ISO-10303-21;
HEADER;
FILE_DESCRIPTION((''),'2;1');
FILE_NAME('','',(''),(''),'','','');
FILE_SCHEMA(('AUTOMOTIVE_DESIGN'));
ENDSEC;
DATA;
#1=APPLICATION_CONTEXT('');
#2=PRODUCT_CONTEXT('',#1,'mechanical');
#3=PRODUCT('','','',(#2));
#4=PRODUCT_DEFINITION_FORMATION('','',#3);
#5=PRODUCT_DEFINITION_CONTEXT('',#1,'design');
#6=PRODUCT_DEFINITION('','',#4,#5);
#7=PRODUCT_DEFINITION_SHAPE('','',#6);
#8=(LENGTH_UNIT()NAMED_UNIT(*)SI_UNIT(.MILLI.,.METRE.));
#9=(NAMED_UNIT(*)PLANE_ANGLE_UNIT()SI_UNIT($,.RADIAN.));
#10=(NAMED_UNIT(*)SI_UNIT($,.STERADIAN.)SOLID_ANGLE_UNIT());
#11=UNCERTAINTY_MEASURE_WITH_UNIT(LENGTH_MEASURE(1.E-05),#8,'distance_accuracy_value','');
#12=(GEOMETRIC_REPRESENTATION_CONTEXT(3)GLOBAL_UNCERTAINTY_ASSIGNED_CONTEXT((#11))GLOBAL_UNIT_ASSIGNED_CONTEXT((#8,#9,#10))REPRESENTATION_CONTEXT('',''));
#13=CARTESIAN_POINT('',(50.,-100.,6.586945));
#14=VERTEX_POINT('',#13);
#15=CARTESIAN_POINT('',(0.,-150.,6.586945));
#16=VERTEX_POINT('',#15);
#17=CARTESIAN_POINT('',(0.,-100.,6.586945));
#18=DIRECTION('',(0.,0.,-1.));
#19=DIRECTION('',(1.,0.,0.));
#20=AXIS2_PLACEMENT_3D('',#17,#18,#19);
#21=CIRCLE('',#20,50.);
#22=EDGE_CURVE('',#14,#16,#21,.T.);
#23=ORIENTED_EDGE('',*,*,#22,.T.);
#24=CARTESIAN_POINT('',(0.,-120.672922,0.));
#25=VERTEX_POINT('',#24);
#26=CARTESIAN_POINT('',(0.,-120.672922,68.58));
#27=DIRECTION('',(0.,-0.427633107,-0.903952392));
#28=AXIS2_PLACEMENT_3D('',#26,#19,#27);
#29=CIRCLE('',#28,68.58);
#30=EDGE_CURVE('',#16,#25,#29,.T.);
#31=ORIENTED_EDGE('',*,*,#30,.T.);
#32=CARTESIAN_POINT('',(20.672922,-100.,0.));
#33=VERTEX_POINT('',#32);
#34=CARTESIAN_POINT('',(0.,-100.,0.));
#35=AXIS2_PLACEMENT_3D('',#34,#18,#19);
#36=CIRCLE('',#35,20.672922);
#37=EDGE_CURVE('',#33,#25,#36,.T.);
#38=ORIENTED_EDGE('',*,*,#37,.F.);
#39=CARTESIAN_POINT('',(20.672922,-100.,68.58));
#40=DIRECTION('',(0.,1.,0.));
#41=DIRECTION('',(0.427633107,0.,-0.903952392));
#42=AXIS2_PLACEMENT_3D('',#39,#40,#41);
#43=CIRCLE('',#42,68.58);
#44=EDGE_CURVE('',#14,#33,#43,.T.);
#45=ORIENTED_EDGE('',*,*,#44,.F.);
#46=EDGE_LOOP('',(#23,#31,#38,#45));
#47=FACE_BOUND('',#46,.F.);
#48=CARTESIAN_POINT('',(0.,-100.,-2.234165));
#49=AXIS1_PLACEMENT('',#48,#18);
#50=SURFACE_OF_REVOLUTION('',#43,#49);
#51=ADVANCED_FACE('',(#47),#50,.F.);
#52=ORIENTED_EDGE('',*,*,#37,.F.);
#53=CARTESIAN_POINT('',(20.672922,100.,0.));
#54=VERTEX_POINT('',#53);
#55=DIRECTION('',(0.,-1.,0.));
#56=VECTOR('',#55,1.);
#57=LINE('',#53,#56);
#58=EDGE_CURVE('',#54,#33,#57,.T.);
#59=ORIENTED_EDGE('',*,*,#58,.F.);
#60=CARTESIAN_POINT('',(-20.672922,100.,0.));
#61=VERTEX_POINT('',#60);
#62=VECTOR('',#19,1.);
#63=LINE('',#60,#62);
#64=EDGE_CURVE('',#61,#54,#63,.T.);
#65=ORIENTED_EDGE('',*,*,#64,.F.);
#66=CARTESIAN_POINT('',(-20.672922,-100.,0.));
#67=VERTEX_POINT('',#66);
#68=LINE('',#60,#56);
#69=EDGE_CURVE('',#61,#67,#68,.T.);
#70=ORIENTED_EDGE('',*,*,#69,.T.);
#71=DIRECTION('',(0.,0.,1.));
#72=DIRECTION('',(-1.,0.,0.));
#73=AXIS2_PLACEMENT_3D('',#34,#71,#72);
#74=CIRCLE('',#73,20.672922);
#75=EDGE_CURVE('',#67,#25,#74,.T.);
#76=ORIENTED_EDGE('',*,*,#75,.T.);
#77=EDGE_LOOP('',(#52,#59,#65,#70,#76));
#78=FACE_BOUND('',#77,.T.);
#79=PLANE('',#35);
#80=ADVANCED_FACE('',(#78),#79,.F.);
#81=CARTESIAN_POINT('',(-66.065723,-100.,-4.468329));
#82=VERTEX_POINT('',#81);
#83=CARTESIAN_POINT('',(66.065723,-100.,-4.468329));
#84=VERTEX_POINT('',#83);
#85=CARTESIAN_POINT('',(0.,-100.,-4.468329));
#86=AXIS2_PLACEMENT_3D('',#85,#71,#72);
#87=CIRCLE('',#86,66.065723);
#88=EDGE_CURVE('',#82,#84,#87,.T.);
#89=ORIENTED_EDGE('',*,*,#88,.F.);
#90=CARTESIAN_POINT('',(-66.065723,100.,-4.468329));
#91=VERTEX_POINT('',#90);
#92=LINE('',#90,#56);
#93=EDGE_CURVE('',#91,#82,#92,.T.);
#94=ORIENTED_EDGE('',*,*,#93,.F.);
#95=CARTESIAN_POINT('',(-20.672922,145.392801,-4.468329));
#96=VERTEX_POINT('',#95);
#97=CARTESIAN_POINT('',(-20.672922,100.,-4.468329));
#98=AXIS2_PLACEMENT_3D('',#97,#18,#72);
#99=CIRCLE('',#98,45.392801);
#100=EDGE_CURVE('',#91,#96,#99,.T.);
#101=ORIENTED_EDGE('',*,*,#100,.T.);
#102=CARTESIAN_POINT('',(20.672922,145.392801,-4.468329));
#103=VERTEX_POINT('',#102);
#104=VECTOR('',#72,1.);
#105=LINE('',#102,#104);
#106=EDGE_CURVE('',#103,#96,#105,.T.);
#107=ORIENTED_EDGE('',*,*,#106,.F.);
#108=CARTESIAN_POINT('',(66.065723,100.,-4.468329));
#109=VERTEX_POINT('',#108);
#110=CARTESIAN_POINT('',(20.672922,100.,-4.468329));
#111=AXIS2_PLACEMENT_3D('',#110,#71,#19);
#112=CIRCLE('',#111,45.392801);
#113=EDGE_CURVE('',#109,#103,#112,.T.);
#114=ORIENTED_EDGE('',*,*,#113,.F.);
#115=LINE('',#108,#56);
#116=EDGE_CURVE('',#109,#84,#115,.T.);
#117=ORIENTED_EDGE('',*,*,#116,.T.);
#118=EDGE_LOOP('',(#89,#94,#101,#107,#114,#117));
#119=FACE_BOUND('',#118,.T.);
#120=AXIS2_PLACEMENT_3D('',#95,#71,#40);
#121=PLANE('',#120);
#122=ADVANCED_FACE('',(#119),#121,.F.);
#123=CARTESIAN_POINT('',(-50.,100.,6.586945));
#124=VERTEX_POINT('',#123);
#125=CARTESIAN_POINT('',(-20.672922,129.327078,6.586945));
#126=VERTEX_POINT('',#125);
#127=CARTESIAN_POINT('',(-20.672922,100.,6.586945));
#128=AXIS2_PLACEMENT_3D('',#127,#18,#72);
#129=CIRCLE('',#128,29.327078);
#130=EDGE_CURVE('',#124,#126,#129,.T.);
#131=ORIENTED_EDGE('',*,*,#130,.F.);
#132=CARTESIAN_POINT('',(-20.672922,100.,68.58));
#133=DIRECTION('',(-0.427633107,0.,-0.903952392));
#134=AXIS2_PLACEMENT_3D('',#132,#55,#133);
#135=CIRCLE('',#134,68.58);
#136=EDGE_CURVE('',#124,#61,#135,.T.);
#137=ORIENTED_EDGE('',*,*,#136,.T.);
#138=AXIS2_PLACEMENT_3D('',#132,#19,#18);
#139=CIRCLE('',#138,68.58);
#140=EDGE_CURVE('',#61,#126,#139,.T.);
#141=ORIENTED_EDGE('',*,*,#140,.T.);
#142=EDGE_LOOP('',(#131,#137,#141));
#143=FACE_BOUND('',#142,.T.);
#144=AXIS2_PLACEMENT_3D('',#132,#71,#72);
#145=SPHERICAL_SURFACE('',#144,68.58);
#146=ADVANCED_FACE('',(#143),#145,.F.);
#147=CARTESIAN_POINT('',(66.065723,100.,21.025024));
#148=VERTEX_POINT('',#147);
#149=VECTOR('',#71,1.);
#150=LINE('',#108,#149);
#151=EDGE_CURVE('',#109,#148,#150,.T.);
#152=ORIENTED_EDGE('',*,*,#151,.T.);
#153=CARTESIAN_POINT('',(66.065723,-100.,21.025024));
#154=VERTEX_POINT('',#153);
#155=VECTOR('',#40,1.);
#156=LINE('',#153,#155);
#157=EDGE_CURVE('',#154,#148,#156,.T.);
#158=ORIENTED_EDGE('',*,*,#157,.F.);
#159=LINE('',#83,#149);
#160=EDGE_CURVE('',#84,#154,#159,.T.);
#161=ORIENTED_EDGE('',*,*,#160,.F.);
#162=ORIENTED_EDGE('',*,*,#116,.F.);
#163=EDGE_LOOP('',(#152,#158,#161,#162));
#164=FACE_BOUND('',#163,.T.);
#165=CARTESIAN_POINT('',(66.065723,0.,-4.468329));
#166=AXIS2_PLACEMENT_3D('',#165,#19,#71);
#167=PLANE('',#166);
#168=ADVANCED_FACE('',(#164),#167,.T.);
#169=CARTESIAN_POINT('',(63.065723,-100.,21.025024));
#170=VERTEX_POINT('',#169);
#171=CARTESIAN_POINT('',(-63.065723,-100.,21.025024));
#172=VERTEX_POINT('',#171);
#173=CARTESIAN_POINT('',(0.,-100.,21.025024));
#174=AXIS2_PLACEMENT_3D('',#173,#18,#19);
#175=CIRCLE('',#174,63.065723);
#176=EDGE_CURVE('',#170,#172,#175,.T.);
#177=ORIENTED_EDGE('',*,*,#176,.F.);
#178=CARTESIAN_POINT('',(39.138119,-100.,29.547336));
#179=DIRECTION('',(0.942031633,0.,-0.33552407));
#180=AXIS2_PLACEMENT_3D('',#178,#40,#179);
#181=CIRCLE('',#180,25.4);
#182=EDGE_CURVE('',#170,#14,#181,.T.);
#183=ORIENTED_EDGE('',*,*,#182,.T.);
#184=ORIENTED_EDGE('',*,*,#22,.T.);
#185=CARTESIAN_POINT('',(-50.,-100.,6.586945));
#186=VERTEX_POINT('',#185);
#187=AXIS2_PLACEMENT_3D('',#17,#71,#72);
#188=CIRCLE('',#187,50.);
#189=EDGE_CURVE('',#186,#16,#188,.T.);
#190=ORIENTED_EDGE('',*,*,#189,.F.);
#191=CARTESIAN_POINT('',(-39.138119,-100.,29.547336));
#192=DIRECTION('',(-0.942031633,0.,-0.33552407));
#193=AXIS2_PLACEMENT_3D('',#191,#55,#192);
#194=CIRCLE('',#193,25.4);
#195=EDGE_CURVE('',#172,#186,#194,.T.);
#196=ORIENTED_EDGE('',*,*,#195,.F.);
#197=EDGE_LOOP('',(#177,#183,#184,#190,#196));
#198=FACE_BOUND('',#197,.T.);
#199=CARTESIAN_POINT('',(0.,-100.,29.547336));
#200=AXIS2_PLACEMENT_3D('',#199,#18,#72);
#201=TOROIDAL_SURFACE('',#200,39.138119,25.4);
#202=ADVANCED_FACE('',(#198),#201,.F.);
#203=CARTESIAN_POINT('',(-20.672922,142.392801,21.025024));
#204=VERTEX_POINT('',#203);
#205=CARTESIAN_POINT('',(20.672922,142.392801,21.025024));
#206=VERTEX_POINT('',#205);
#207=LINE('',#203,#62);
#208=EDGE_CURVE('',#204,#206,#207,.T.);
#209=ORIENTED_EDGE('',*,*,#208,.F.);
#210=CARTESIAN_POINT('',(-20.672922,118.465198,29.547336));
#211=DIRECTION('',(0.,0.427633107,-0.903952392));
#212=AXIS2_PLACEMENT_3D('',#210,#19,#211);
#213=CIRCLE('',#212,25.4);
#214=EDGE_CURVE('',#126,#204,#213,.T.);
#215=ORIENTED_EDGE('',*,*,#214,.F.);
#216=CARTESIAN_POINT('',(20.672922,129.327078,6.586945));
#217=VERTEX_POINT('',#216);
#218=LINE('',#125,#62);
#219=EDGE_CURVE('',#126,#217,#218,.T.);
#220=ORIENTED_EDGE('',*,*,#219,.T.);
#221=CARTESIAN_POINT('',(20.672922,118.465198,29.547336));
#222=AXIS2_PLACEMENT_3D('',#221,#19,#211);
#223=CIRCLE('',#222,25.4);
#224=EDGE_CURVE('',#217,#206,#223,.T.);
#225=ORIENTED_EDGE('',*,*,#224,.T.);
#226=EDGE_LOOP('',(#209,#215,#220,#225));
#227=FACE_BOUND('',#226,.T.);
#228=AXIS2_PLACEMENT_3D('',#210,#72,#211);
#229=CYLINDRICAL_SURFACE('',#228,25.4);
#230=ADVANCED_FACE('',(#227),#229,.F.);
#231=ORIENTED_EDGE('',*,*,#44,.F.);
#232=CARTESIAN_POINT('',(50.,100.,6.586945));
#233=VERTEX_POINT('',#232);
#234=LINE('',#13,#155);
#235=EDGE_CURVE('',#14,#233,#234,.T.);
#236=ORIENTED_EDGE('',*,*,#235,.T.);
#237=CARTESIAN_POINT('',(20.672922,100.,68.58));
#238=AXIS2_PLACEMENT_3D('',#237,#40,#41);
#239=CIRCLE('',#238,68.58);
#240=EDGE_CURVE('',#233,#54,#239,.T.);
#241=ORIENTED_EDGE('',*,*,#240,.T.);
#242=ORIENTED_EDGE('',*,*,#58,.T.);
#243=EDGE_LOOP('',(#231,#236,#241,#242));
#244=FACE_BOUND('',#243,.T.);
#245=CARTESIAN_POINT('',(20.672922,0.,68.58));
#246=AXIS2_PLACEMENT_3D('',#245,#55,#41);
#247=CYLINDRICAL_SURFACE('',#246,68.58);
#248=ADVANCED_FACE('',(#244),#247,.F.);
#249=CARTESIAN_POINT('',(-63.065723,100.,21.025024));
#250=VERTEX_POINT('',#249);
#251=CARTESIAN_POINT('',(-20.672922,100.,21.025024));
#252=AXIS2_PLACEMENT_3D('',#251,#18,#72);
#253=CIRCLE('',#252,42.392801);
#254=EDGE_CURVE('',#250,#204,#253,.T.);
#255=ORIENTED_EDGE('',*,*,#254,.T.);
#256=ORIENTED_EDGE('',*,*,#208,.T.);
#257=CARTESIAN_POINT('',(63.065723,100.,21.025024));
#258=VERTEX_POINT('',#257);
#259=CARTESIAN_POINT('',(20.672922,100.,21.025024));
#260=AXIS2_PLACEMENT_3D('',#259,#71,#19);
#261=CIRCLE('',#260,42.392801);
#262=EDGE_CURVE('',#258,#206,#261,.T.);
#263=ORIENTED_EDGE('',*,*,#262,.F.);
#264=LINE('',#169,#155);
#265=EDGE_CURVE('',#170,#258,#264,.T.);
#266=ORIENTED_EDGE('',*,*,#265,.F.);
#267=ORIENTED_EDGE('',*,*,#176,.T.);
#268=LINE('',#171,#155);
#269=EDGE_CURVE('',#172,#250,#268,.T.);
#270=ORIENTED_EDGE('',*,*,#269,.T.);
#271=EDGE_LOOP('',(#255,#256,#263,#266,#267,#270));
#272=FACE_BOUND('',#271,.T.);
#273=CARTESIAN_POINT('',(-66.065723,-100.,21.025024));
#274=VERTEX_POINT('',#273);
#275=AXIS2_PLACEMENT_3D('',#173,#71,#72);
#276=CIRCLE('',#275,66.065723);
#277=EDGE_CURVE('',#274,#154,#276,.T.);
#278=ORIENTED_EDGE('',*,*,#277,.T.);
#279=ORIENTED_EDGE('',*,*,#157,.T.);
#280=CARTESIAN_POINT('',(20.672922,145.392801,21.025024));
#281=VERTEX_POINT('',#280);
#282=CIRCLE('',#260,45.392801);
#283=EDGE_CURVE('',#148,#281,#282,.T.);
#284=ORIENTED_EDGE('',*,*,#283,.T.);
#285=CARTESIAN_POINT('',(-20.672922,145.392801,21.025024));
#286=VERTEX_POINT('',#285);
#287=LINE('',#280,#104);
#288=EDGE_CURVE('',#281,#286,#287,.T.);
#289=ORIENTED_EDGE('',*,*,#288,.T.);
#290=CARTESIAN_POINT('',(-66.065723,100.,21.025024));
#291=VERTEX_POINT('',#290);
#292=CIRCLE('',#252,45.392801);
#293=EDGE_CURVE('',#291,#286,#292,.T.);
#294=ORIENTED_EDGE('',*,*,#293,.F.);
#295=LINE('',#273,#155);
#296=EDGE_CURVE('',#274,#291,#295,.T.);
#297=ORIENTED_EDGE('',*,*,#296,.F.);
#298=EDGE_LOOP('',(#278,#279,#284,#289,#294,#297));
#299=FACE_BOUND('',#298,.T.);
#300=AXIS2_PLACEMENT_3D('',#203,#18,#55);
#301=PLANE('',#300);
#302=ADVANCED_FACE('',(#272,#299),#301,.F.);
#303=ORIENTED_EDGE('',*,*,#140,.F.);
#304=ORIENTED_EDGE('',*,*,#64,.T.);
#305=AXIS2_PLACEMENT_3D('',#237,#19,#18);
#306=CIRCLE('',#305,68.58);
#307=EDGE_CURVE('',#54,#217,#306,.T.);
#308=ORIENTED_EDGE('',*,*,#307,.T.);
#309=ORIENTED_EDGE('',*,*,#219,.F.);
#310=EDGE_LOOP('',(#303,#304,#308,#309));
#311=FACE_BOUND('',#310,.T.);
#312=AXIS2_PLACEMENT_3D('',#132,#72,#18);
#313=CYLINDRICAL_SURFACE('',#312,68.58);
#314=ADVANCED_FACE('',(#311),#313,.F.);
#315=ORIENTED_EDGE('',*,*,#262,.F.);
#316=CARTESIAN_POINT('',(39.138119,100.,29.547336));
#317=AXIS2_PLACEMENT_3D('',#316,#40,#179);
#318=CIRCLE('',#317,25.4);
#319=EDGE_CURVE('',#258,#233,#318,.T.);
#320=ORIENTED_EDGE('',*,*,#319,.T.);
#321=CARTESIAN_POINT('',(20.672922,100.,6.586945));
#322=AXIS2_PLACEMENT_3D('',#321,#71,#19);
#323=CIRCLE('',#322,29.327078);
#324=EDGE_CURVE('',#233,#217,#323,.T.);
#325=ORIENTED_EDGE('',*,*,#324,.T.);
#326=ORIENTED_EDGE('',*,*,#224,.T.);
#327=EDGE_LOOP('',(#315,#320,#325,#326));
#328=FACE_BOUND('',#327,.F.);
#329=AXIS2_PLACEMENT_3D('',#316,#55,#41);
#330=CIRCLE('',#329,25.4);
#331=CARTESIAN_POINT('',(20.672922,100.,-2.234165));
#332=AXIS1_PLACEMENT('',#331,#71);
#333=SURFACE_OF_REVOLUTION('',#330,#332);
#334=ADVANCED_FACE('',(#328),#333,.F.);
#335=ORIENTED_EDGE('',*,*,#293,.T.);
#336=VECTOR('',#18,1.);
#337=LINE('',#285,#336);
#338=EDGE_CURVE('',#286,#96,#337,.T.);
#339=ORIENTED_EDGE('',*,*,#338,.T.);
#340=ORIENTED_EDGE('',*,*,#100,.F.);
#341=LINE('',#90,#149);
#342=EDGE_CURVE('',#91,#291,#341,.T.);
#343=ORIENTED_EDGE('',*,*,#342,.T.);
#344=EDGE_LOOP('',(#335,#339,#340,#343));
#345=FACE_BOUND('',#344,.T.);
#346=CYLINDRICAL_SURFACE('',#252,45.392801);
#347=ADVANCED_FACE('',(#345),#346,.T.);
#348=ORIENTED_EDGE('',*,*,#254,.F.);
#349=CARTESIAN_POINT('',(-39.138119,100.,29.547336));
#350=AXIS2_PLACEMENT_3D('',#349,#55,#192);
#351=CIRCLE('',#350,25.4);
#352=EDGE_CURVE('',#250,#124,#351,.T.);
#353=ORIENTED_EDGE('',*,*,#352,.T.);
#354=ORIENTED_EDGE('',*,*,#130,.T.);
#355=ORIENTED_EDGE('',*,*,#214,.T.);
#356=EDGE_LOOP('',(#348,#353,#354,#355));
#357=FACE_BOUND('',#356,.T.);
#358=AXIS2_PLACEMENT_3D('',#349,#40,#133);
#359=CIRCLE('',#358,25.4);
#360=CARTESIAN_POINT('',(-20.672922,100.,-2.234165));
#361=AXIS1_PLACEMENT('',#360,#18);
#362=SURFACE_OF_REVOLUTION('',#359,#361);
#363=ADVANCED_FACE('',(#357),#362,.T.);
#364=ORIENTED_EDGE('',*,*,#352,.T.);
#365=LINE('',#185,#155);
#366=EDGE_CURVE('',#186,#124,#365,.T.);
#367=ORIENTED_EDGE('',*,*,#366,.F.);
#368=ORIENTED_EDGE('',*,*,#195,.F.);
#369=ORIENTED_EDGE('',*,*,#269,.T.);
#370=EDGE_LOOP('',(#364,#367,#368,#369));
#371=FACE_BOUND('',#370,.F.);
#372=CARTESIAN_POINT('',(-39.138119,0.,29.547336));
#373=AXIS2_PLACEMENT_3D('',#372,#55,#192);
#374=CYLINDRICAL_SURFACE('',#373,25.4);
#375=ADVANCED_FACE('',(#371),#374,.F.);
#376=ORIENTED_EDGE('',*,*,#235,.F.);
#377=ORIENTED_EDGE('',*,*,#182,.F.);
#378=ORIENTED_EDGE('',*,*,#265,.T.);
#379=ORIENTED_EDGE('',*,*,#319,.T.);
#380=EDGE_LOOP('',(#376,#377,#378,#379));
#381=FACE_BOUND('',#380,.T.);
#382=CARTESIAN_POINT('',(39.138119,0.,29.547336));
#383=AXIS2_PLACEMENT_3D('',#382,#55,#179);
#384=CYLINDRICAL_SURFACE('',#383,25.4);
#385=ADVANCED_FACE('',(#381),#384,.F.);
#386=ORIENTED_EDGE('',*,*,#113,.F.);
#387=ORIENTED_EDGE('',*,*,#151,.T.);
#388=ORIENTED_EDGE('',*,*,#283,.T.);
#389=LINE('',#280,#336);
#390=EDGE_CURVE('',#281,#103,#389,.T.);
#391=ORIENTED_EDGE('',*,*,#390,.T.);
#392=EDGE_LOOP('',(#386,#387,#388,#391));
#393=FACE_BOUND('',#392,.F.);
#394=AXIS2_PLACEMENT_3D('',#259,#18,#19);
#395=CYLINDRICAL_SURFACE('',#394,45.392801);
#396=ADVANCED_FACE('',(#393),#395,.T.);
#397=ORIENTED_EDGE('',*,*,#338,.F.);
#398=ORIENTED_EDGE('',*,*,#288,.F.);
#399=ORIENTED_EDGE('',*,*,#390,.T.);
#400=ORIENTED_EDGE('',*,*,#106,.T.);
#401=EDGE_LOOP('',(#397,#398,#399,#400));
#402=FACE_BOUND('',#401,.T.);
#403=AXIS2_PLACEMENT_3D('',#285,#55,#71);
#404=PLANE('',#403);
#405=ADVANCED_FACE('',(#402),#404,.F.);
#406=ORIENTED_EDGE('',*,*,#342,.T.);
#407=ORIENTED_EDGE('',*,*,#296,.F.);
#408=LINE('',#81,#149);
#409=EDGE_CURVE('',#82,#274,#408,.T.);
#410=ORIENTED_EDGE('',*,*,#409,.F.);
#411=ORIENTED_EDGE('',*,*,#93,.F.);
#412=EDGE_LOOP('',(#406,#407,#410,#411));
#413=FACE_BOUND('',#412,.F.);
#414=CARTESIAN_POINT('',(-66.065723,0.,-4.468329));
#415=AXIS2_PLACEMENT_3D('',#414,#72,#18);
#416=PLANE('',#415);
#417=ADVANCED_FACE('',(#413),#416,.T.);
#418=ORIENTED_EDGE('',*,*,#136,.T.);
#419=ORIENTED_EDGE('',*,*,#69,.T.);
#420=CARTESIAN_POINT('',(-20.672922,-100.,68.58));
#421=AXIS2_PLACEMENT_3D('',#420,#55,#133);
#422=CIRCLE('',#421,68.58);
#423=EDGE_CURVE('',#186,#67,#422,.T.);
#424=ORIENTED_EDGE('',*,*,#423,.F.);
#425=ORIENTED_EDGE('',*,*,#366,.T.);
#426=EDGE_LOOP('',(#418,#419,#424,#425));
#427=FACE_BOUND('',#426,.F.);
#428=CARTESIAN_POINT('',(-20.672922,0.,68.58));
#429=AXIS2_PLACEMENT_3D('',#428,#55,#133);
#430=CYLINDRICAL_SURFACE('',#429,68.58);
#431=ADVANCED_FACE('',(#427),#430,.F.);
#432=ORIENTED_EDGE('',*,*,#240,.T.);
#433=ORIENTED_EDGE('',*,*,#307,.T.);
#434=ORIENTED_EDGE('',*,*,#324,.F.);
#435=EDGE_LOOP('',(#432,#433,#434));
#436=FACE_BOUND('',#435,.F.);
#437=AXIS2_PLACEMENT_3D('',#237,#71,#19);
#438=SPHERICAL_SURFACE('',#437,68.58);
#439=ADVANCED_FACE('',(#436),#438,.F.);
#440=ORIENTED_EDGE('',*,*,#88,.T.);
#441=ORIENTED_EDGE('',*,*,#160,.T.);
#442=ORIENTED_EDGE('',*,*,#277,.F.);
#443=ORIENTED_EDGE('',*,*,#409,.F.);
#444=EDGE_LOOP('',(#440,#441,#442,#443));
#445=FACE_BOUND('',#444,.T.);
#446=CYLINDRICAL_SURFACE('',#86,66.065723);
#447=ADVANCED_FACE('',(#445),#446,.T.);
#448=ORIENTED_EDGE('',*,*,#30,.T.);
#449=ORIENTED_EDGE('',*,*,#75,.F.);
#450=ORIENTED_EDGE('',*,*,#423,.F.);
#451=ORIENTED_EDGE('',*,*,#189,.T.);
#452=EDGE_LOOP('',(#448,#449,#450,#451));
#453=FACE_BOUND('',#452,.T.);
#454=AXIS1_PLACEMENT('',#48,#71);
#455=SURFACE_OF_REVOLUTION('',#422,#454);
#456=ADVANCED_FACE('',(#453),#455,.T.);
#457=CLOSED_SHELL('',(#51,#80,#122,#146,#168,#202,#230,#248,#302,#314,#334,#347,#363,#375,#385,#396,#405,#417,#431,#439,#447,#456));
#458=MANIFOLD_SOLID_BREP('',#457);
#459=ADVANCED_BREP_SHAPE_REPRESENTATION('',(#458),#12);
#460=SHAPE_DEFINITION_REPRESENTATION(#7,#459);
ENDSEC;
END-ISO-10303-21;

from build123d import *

# Parameters (mm, degrees)
F1_DEPTH = 100
F2_ANGLE = 90
F4_ANGLE = 90
F5_DEPTH = 20.6729215554


with BuildPart() as f1:
    # F0 (on Front) → F1 (new body, symmetric)
    with BuildSketch(Plane.XZ):
        with BuildLine():
            ThreePointArc((50, 6.5869449865), (35.7017719302, 1.6669963579), (20.6729215554, 0))
            Line((20.6729215554, 0), (0, 0))
            Line((0, 0), (0, -4.4683294598))
            Line((0, -4.4683294598), (66.0657225847, -4.4683294598))
            Line((66.0657225847, -4.4683294598), (66.0657225847, 21.0250243545))
            Line((66.0657225847, 21.0250243545), (63.0657225847, 21.0250243545))
            ThreePointArc((63.0657225847, 21.0250243545), (57.9713766483, 12.5042019267), (50, 6.5869449865))
        make_face()
    extrude(amount=F1_DEPTH, both=True)

    # F1_face (on face) → F2 (revolve)
    with BuildSketch(Plane(origin=(44.1969490295, -100, 1.9928313496), x_dir=(1, 0, 0), z_dir=(0, -1, 0))):
        with BuildLine():
            Line((21.8687735552, -6.4611608094), (21.8687735552, 19.0321930048))
            Line((21.8687735552, 19.0321930048), (18.8687735552, 19.0321930048))
            ThreePointArc((18.8687735552, 19.0321930048), (13.7744276188, 10.511370577), (5.8030509705, 4.5941136369))
            ThreePointArc((5.8030509705, 4.5941136369), (-8.4951770993, -0.3258349918), (-23.5240274741, -1.9928313496))
            Line((-23.5240274741, -1.9928313496), (-44.1969490295, -1.9928313496))
            Line((-44.1969490295, -1.9928313496), (-44.1969490295, -6.4611608094))
            Line((-44.1969490295, -6.4611608094), (21.8687735552, -6.4611608094))
        make_face()
    revolve(axis=Axis((0, -100, -2.2341647299), (0, 0, -1)), revolution_arc=F2_ANGLE)

    # F3 (on face) → F4 (revolve)
    with BuildSketch(Plane(origin=(0, 100, 0), x_dir=(-1, 0, 0), z_dir=(0, 1, 0))):
        with BuildLine():
            Line((-63.0657225847, 21.0250243545), (-66.0657225847, 21.0250243545))
            Line((-66.0657225847, 21.0250243545), (-66.0657225847, -4.4683294598))
            Line((-66.0657225847, -4.4683294598), (-20.6729215554, -4.4683294598))
            Line((-20.6729215554, -4.4683294598), (-20.6729215554, 0))
            ThreePointArc((-20.6729215554, 0), (-35.7017719302, 1.6669963579), (-50, 6.5869449865))
            ThreePointArc((-50, 6.5869449865), (-57.9713766483, 12.5042019267), (-63.0657225847, 21.0250243545))
        make_face()
    revolve(axis=Axis((20.6729215554, 100, -2.2341647299), (0, 0, 1)), revolution_arc=F4_ANGLE)

    # F5 (add, through all): a face of the model
    f5_faces = [f1.faces().sort_by_distance(p)[0] for p in [
        (20.6729215554, 129.9863399133, 2.7995583272),
    ]]
    extrude(f5_faces, amount=F5_DEPTH)

    # F6: F1 across face


with BuildPart() as f1_1:
    add(f1.part)
    add(f1.part.mirror(Plane(origin=(0, -10.3364607777, 0.2594817433), x_dir=(0, -1, 0), z_dir=(-1, 0, 0))))


solid = f1_1.part
